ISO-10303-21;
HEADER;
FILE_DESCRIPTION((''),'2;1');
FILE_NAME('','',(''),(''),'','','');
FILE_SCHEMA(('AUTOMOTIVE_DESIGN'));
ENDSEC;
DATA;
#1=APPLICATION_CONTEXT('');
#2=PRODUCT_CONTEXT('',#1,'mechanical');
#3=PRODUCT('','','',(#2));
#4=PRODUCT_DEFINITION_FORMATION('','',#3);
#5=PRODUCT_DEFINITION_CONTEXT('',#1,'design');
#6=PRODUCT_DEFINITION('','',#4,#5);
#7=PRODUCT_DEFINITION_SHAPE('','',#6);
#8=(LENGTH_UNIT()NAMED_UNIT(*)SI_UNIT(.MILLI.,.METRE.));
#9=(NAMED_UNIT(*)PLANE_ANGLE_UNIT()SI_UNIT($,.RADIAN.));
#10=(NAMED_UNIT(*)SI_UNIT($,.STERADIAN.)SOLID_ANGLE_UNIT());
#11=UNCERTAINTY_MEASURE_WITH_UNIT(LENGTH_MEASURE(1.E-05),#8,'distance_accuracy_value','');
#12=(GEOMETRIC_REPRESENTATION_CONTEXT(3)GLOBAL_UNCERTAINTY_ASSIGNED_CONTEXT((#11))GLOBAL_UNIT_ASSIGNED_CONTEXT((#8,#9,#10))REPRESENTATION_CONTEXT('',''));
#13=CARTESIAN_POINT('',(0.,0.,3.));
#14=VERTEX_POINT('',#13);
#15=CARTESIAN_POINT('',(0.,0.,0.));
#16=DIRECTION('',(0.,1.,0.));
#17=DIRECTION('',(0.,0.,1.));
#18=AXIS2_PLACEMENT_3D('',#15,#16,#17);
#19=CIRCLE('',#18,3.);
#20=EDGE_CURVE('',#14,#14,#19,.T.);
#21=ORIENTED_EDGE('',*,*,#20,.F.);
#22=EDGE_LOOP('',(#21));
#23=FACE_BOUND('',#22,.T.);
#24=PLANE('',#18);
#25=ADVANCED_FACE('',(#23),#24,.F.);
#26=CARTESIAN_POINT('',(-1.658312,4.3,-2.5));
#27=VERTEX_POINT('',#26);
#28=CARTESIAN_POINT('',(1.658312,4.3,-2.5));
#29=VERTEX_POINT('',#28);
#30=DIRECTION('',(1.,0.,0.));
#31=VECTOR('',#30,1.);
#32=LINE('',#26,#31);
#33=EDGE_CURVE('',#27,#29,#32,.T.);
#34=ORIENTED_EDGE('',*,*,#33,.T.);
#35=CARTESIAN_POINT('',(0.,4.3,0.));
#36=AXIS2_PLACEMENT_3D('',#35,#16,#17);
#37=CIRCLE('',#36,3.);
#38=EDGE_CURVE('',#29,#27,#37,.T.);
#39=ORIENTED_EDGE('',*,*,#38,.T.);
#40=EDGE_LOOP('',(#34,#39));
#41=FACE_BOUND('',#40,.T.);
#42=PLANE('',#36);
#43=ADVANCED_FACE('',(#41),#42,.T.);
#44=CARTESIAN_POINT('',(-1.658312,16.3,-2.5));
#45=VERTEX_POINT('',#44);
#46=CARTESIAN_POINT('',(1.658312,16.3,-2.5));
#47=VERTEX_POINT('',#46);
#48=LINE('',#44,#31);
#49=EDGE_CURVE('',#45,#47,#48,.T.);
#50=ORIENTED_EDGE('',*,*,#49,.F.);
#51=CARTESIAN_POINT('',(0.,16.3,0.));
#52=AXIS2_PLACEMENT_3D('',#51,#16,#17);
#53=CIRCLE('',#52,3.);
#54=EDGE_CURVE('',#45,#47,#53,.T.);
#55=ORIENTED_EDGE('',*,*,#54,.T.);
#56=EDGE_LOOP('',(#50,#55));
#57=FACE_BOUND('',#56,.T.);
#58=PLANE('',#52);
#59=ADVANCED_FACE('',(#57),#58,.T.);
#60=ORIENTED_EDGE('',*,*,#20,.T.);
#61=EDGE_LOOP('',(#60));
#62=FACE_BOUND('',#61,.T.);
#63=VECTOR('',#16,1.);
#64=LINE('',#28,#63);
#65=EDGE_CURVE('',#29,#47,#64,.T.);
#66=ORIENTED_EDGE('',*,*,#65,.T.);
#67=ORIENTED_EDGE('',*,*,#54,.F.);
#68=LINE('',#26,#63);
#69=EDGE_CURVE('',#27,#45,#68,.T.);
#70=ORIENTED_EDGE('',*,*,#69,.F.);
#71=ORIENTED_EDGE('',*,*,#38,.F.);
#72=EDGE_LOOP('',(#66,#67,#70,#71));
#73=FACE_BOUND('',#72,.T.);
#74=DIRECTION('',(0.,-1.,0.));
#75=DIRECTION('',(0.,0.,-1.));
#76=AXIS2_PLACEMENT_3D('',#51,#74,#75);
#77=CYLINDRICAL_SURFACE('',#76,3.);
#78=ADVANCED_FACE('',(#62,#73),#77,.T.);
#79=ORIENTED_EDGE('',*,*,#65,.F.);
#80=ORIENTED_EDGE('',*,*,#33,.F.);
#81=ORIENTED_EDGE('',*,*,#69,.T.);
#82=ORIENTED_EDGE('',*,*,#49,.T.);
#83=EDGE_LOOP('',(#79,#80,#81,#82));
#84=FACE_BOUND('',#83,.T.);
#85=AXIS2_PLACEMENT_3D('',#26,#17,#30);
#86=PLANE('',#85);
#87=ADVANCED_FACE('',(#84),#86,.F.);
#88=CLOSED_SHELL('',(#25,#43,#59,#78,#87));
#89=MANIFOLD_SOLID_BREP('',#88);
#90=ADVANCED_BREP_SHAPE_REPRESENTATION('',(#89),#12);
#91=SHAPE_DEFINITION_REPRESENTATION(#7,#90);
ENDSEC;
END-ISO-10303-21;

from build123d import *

# Parameters (mm, degrees)
SKETCH_1_R          = 3
EXTRUDE_1_DEPTH     = 16.3
CUT_EXTRUDE_START   = -12
CUT_EXTRUDE_1_DEPTH = 12


with BuildPart() as part:
    # Эскиз1 → Бобышка-Вытянуть1 (new body)
    with BuildSketch(Plane(origin=(0, 0, 0), x_dir=(1, 0, 0), z_dir=(0, 1, 0))):
        with Locations(Location((0, 0, 0), (0, 0, 270))):
            Circle(SKETCH_1_R)
    extrude(amount=EXTRUDE_1_DEPTH)

    # Эскиз2 → Вырез-Вытянуть1 (cut)
    with BuildSketch(Plane(origin=(0, 16.3, 0), x_dir=(1, 0, 0), z_dir=(0, 1, 0)).offset(CUT_EXTRUDE_START)):
        with BuildLine():
            Line((-1.658312395, 2.5), (1.658312395, 2.5))
            ThreePointArc((1.658312395, 2.5), (0, 3), (-1.658312395, 2.5))
        make_face()
    extrude(amount=CUT_EXTRUDE_1_DEPTH, mode=Mode.SUBTRACT)


solid = part.part
